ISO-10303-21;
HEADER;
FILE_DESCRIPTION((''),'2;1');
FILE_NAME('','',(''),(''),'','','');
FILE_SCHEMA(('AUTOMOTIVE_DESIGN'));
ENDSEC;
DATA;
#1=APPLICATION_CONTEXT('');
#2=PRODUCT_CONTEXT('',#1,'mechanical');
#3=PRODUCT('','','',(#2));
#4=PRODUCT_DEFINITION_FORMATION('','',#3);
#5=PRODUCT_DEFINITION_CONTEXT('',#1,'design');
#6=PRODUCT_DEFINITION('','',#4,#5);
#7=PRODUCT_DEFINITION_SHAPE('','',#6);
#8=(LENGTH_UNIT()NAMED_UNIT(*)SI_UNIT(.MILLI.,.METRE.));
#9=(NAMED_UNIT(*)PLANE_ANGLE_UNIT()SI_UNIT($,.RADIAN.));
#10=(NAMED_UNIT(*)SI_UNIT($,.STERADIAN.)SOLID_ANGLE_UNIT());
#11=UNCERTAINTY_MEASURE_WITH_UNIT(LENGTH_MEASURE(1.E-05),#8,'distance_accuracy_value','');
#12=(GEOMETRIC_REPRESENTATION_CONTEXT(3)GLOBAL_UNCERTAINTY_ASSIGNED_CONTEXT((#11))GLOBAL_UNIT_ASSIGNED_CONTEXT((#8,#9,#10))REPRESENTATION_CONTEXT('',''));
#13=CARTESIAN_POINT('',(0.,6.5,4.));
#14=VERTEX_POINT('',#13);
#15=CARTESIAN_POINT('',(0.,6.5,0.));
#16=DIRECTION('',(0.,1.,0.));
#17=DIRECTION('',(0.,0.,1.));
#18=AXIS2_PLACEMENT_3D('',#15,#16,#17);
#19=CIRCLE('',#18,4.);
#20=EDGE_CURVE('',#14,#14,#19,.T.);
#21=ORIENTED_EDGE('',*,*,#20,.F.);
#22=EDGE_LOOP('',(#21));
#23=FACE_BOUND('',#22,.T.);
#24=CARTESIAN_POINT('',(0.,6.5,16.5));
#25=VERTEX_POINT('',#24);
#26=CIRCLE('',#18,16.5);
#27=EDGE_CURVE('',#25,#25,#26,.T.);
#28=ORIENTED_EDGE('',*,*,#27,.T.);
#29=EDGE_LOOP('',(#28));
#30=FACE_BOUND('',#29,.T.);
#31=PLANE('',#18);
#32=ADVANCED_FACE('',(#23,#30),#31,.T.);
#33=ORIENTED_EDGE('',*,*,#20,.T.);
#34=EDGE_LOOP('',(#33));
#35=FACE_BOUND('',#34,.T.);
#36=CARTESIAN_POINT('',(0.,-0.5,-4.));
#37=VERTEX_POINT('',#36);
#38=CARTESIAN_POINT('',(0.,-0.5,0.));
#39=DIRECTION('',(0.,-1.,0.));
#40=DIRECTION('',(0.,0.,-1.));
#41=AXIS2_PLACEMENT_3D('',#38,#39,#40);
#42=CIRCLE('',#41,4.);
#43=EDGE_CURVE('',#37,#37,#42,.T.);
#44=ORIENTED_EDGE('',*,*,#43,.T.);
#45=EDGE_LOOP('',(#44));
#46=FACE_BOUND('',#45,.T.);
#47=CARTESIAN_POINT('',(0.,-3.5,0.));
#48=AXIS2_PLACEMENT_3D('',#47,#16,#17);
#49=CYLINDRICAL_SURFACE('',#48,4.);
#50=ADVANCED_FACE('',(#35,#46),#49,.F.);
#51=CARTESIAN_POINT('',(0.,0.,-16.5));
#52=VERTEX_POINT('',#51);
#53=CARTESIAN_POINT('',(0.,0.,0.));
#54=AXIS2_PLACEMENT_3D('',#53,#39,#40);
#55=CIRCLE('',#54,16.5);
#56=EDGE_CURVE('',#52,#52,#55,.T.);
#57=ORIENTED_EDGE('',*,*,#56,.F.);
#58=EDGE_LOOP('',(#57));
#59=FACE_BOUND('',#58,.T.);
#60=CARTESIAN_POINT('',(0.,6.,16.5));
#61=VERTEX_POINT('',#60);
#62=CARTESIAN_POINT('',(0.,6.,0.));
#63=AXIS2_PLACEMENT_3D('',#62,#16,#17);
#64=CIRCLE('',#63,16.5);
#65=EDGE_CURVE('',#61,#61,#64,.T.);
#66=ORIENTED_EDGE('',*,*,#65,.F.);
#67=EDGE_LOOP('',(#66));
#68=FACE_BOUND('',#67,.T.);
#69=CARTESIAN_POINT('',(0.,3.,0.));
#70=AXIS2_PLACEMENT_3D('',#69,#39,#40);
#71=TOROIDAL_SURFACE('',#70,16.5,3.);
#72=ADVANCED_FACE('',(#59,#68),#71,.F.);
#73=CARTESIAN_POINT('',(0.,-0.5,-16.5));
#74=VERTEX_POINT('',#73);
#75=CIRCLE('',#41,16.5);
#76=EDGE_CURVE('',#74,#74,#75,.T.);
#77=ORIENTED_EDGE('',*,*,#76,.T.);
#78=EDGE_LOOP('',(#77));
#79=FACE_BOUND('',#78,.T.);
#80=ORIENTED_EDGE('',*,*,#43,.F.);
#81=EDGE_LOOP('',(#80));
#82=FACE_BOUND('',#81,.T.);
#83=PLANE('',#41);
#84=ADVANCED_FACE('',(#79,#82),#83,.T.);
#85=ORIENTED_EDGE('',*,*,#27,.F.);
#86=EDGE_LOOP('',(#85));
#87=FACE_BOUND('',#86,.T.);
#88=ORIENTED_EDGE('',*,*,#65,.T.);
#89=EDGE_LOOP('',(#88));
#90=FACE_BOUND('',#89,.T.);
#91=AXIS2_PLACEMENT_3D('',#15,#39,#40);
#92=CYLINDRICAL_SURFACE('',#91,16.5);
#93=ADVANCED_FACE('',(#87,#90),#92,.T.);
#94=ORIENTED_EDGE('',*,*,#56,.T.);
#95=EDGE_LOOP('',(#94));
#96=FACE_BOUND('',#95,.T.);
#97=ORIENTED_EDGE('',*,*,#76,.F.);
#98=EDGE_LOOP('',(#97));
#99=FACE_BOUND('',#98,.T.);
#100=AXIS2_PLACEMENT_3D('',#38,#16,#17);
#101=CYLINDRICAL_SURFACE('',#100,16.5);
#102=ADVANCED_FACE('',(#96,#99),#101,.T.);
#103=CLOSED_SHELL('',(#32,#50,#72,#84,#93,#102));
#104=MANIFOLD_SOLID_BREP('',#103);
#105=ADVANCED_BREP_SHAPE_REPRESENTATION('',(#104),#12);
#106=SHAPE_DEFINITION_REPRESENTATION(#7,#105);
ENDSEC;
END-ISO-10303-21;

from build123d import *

# Parameters (mm, degrees)
SKETCH2_R           = 16.5
BOSS_EXTRUDE1_DEPTH = 0.5
BOSS_EXTRUDE2_START = 0.5
SKETCH3_R           = 16.5
BOSS_EXTRUDE2_DEPTH = 0.5
SKETCH4_R           = 1
CUT_EXTRUDE1_DEPTH  = 7
SKETCH5_R           = 4
CUT_EXTRUDE2_DEPTH  = 10


with BuildPart() as part:
    # Sketch1 → Revolve1 (revolve)
    with BuildSketch(Plane.XY, mode=Mode.PRIVATE) as revolve1_sk:
        Polygon((0, 6), (0, 0), (13.5, 0), (13.5, 3), (13.5, 6), align=None)
        with BuildLine():
            Line((13.5, 6), (13.5, 3))
            ThreePointArc((13.5, 3), (14.378679656, 5.121320344), (16.5, 6))
            Line((16.5, 6), (13.5, 6))
        make_face()
        with BuildLine():
            Line((13.5, 3), (13.5, 0))
            Line((13.5, 0), (16.5, 0))
            ThreePointArc((16.5, 0), (14.378679656, 0.878679656), (13.5, 3))
        make_face()
    revolve(revolve1_sk.sketch.rotate(Axis((0, 0, 0), (0, 1, 0)), 90), axis=Axis((0, 0, 0), (0, 1, 0)))

    # Sketch2 → Boss-Extrude1 (add)
    with BuildSketch(Plane(origin=(0, 6, 0), x_dir=(1, 0, 0), z_dir=(0, 1, 0))):
        with Locations(Location((0, 0, 0), (0, 0, 270))):
            Circle(SKETCH2_R)
    extrude(amount=BOSS_EXTRUDE1_DEPTH)

    # Sketch3 → Boss-Extrude2 (add)
    with BuildSketch(Plane.XZ.offset(BOSS_EXTRUDE2_START)):
        with Locations(Location((0, 0, 0), (0, 0, 90))):
            Circle(SKETCH3_R)
    extrude(amount=-BOSS_EXTRUDE2_DEPTH)

    # Sketch4 → Cut-Extrude1 (cut)
    with BuildSketch(Plane.XZ.offset(0.5)):
        with Locations(Location((0, 0, 0), (0, 0, 270))):
            Circle(SKETCH4_R)
    extrude(amount=-CUT_EXTRUDE1_DEPTH, mode=Mode.SUBTRACT)

    # Sketch5 → Cut-Extrude2 (cut)
    with BuildSketch(Plane(origin=(0, 6.5, 0), x_dir=(1, 0, 0), z_dir=(0, 1, 0))):
        with Locations(Location((0, 0, 0), (0, 0, 270))):
            Circle(SKETCH5_R)
    extrude(amount=-CUT_EXTRUDE2_DEPTH, mode=Mode.SUBTRACT)


solid = part.part
